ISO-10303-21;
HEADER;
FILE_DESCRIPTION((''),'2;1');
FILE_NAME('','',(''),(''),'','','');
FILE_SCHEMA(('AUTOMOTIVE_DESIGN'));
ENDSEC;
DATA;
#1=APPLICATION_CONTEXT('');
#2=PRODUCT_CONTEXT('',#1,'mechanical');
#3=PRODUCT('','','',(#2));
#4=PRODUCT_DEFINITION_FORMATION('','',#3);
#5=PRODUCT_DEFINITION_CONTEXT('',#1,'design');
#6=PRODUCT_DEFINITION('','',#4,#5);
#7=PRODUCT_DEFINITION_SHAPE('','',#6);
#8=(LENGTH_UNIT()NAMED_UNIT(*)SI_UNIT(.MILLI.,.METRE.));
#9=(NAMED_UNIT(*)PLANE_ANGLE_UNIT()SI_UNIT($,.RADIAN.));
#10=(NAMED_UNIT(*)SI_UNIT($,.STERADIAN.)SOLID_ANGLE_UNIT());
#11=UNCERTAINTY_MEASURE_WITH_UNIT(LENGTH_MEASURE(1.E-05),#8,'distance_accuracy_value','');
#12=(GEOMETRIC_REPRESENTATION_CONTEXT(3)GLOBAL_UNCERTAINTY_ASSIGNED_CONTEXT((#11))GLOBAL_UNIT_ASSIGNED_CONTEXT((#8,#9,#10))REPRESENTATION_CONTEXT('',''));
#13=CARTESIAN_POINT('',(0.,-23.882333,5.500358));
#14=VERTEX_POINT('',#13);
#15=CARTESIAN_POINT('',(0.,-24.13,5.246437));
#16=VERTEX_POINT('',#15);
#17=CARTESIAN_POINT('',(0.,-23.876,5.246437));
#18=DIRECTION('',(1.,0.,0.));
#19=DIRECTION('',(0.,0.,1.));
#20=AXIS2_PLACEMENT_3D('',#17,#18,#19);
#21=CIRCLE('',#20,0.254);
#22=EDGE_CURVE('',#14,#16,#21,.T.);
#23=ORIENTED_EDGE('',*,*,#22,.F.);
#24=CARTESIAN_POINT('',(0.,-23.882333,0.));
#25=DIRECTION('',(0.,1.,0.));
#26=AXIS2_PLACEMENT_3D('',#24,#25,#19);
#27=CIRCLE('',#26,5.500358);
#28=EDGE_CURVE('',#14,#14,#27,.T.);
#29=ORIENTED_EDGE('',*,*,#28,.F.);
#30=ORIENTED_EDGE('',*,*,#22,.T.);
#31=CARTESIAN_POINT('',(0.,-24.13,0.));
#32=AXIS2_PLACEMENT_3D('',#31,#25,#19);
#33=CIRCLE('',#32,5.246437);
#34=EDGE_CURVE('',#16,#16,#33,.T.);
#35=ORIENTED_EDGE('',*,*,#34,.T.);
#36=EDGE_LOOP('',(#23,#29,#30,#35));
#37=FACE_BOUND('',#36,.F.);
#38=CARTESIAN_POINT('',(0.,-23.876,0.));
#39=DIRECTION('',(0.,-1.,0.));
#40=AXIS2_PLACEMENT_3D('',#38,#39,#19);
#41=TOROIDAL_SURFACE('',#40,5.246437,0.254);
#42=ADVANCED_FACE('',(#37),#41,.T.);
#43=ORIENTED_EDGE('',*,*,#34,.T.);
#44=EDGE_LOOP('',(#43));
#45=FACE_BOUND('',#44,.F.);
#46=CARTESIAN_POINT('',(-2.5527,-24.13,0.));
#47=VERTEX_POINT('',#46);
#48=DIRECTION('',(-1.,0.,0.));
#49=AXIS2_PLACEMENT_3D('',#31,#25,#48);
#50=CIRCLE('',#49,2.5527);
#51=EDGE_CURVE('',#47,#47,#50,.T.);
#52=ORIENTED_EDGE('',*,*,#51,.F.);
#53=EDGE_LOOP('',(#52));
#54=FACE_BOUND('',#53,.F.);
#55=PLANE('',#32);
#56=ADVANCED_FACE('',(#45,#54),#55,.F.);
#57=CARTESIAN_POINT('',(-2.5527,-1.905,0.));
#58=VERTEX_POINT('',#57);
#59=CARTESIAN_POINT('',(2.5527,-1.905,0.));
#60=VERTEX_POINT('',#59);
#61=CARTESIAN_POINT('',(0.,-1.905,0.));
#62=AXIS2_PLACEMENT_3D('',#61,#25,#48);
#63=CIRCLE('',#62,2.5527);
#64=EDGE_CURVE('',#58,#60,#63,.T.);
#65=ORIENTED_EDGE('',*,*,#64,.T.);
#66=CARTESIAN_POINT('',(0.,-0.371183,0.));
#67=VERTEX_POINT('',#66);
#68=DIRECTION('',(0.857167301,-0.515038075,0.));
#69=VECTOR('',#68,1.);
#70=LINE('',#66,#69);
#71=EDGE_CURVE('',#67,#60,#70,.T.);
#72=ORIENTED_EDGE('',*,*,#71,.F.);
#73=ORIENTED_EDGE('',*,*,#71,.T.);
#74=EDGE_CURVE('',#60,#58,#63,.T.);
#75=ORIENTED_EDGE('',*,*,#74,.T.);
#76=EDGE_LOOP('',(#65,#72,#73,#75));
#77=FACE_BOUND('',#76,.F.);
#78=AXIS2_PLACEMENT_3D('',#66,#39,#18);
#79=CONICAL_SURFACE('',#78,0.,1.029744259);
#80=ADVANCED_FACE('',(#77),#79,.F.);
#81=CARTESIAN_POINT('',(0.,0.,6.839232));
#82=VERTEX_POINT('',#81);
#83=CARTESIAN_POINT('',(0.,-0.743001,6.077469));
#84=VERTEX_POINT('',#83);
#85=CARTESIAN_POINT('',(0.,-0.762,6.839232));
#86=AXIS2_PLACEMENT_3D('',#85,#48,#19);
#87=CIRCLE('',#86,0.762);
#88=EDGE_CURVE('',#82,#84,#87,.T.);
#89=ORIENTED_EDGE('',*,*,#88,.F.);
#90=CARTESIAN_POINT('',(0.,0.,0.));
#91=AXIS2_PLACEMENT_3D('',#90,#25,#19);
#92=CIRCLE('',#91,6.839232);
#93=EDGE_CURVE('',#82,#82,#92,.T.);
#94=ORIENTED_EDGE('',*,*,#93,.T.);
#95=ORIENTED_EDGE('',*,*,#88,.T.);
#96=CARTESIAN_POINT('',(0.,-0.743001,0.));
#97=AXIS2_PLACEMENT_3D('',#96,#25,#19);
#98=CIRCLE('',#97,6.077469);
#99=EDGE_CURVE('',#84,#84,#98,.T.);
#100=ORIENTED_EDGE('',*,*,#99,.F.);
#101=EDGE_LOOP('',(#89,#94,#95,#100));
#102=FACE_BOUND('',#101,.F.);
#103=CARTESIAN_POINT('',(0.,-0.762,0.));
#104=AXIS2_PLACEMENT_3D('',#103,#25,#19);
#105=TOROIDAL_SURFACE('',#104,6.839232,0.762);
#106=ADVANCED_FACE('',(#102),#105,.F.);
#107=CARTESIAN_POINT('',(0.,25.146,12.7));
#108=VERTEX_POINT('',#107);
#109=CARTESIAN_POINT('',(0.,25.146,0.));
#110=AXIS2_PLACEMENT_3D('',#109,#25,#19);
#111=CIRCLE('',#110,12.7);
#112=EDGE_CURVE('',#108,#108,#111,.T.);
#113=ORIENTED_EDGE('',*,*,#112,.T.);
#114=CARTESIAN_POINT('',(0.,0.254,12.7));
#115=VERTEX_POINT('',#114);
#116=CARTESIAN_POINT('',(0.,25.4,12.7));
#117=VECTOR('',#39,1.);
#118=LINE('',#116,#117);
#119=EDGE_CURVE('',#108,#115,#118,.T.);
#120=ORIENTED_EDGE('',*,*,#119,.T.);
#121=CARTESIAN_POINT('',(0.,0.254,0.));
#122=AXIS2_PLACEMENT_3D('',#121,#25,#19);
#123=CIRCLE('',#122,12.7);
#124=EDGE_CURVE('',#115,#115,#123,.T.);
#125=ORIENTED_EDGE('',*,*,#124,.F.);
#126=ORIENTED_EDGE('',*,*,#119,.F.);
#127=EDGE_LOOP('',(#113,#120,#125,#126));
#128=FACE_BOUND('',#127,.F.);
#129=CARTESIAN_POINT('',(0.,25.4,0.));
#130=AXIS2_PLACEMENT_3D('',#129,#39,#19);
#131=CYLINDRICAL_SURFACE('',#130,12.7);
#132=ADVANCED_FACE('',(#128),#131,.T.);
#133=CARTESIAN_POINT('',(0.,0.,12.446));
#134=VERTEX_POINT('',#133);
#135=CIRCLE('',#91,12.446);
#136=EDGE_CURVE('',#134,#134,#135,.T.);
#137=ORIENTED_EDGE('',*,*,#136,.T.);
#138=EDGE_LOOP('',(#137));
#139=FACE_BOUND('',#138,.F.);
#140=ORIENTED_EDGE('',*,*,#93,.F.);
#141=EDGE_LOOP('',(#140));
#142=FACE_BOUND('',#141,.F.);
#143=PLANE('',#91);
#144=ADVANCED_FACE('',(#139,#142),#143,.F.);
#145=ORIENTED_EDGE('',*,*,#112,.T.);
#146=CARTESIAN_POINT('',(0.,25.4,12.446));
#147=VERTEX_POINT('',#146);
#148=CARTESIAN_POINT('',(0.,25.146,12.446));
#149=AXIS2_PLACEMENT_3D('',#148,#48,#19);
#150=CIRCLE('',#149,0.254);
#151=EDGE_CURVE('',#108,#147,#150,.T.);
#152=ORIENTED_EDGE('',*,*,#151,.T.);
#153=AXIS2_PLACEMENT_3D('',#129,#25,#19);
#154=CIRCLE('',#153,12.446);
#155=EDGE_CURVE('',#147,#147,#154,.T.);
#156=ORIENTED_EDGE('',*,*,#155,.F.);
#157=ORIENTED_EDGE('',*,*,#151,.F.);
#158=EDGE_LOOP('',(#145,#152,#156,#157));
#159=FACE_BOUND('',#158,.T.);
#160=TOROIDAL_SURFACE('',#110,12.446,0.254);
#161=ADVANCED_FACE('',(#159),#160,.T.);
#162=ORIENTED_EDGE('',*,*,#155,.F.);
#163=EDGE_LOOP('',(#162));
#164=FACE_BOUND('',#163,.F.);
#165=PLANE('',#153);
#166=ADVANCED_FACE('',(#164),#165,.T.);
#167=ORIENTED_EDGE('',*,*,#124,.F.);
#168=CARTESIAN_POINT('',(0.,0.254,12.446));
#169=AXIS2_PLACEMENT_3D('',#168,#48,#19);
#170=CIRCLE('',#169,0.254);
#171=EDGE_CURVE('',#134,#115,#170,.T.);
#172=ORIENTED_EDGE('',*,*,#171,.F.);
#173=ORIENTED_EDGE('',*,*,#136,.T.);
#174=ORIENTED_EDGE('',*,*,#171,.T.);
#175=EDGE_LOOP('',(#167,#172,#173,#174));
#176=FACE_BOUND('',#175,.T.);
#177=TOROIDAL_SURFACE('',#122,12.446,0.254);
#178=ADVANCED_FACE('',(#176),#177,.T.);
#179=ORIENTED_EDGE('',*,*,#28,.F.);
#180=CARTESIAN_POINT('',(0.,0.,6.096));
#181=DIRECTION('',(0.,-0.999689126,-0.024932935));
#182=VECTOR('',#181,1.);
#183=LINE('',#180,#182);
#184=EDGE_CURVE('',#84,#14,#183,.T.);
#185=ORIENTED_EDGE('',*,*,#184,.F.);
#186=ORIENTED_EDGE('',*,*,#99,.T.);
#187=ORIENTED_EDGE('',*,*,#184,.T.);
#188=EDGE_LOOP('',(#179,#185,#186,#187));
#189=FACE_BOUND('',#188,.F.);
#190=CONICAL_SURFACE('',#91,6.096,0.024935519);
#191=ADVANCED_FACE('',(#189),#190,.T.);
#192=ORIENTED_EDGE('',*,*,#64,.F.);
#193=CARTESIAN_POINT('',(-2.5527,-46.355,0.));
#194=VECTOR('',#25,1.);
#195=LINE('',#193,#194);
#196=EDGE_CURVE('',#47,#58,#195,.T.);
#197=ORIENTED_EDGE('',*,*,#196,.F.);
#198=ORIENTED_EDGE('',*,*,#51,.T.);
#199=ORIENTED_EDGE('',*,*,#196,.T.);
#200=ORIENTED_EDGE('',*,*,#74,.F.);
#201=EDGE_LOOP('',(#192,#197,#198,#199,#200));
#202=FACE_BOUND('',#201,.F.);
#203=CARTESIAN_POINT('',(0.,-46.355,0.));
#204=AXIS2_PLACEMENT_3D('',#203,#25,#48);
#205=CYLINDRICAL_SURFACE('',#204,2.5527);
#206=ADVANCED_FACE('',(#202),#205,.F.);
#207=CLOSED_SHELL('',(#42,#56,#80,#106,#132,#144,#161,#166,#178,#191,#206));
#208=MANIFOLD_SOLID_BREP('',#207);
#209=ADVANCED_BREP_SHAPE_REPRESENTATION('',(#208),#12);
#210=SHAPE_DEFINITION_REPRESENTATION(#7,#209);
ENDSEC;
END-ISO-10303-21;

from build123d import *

# Parameters (mm, degrees)
F3_D     = 5.1054
F3_DEPTH = 22.225
F3_TIP   = 1.5338169022
F4_R     = 0.762
F5_R     = 0.254


with BuildPart() as f1:
    # F0 (on Right) → F1 (revolve)
    with BuildSketch(Plane.YZ):
        Polygon((-24.13, 0), (25.4, 0), (25.4, 12.7), (0, 12.7), (0, 6.096), (-24.13, 5.4941811878), align=None)
    revolve(axis=Axis((0, 0.635, 0), (0, 1, 0)))

    # F3
    with Locations(Plane.XZ.offset(24.13)):
        with Locations((0, 0)):
            Hole(F3_D / 2, depth=F3_DEPTH)
            with Locations((0, 0, -(F3_DEPTH + F3_TIP / 2))):  # 118° drill point
                Cone(0, F3_D / 2, F3_TIP, mode=Mode.SUBTRACT)

    # F4
    f4_edges = [f1.edges().sort_by_distance(p)[0] for p in [
        (0, 0, -6.096),
    ]]
    fillet(f4_edges, radius=F4_R)

    # F5
    f5_edges = [f1.edges().sort_by_distance(p)[0] for p in [
        (0, 0, -12.7),
        (0, 25.4, -12.7),
        (0, -24.13, -5.494181),
    ]]
    fillet(f5_edges, radius=F5_R)


solid = f1.part
